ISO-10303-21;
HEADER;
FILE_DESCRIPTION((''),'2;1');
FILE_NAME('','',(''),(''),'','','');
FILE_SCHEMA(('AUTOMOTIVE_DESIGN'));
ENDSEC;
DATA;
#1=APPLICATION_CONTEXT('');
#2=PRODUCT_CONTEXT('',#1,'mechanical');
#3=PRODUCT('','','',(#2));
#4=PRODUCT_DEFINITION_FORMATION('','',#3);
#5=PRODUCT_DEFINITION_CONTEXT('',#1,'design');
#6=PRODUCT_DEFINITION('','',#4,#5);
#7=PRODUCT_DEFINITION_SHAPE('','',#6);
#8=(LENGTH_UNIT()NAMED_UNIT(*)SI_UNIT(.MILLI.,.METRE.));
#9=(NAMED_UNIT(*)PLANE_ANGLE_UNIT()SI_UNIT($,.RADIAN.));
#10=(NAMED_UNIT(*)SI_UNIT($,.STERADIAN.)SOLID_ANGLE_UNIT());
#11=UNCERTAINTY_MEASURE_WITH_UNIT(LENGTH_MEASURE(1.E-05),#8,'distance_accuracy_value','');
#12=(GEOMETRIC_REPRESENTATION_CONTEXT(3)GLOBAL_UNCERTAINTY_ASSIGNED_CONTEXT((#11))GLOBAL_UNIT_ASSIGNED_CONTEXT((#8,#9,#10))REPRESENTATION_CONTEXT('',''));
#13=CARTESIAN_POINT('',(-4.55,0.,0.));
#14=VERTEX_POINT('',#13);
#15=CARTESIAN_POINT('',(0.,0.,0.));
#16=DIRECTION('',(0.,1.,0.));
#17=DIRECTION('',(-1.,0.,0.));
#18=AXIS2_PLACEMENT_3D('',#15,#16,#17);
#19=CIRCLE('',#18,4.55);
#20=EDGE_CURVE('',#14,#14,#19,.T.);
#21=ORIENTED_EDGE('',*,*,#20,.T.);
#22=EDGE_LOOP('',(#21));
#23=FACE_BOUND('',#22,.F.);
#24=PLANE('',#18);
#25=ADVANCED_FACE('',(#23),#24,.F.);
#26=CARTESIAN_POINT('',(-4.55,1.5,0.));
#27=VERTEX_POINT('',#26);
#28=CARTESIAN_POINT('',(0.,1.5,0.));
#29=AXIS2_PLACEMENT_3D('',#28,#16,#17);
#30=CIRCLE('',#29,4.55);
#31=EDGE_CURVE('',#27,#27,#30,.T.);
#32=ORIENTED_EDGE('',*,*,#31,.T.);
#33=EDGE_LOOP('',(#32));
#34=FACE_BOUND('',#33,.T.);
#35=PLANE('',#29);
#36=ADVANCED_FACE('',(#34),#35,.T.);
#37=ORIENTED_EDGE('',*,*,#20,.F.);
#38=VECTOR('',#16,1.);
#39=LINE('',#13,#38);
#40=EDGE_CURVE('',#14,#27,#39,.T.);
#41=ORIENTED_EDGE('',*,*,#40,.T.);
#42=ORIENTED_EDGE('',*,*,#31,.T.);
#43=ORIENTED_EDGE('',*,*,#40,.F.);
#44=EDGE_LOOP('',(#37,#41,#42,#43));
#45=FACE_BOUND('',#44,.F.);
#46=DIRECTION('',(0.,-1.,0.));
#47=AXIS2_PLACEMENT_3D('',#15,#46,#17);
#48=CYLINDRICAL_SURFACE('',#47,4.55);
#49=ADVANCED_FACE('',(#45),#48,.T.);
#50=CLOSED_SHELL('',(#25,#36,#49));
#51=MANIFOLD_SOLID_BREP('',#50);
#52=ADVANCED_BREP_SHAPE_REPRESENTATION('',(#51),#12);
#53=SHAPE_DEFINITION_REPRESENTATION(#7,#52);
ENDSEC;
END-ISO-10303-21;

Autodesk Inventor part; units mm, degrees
ref_plane "YZ Plane" through (0, 0, 0) normal (1, 0, 0) x (0, 1, 0)
ref_plane "XZ Plane" through (0, 0, 0) normal (0, 1, 0) x (-1, 0, 0)
ref_plane "XY Plane" through (0, 0, 0) normal (0, 0, 1) x (1, 0, 0)
sketch "Sketch1" plane through (0, 0, 0) normal (0, 1, 0) x (-1, 0, 0)
  circle A0 centre (0, 0) radius 4.55
  dimension "d0" = 9.1
extrude "Extrusion1" add sketch "Sketch1" along normal blind 1.5
properties part number "small-pcb"
